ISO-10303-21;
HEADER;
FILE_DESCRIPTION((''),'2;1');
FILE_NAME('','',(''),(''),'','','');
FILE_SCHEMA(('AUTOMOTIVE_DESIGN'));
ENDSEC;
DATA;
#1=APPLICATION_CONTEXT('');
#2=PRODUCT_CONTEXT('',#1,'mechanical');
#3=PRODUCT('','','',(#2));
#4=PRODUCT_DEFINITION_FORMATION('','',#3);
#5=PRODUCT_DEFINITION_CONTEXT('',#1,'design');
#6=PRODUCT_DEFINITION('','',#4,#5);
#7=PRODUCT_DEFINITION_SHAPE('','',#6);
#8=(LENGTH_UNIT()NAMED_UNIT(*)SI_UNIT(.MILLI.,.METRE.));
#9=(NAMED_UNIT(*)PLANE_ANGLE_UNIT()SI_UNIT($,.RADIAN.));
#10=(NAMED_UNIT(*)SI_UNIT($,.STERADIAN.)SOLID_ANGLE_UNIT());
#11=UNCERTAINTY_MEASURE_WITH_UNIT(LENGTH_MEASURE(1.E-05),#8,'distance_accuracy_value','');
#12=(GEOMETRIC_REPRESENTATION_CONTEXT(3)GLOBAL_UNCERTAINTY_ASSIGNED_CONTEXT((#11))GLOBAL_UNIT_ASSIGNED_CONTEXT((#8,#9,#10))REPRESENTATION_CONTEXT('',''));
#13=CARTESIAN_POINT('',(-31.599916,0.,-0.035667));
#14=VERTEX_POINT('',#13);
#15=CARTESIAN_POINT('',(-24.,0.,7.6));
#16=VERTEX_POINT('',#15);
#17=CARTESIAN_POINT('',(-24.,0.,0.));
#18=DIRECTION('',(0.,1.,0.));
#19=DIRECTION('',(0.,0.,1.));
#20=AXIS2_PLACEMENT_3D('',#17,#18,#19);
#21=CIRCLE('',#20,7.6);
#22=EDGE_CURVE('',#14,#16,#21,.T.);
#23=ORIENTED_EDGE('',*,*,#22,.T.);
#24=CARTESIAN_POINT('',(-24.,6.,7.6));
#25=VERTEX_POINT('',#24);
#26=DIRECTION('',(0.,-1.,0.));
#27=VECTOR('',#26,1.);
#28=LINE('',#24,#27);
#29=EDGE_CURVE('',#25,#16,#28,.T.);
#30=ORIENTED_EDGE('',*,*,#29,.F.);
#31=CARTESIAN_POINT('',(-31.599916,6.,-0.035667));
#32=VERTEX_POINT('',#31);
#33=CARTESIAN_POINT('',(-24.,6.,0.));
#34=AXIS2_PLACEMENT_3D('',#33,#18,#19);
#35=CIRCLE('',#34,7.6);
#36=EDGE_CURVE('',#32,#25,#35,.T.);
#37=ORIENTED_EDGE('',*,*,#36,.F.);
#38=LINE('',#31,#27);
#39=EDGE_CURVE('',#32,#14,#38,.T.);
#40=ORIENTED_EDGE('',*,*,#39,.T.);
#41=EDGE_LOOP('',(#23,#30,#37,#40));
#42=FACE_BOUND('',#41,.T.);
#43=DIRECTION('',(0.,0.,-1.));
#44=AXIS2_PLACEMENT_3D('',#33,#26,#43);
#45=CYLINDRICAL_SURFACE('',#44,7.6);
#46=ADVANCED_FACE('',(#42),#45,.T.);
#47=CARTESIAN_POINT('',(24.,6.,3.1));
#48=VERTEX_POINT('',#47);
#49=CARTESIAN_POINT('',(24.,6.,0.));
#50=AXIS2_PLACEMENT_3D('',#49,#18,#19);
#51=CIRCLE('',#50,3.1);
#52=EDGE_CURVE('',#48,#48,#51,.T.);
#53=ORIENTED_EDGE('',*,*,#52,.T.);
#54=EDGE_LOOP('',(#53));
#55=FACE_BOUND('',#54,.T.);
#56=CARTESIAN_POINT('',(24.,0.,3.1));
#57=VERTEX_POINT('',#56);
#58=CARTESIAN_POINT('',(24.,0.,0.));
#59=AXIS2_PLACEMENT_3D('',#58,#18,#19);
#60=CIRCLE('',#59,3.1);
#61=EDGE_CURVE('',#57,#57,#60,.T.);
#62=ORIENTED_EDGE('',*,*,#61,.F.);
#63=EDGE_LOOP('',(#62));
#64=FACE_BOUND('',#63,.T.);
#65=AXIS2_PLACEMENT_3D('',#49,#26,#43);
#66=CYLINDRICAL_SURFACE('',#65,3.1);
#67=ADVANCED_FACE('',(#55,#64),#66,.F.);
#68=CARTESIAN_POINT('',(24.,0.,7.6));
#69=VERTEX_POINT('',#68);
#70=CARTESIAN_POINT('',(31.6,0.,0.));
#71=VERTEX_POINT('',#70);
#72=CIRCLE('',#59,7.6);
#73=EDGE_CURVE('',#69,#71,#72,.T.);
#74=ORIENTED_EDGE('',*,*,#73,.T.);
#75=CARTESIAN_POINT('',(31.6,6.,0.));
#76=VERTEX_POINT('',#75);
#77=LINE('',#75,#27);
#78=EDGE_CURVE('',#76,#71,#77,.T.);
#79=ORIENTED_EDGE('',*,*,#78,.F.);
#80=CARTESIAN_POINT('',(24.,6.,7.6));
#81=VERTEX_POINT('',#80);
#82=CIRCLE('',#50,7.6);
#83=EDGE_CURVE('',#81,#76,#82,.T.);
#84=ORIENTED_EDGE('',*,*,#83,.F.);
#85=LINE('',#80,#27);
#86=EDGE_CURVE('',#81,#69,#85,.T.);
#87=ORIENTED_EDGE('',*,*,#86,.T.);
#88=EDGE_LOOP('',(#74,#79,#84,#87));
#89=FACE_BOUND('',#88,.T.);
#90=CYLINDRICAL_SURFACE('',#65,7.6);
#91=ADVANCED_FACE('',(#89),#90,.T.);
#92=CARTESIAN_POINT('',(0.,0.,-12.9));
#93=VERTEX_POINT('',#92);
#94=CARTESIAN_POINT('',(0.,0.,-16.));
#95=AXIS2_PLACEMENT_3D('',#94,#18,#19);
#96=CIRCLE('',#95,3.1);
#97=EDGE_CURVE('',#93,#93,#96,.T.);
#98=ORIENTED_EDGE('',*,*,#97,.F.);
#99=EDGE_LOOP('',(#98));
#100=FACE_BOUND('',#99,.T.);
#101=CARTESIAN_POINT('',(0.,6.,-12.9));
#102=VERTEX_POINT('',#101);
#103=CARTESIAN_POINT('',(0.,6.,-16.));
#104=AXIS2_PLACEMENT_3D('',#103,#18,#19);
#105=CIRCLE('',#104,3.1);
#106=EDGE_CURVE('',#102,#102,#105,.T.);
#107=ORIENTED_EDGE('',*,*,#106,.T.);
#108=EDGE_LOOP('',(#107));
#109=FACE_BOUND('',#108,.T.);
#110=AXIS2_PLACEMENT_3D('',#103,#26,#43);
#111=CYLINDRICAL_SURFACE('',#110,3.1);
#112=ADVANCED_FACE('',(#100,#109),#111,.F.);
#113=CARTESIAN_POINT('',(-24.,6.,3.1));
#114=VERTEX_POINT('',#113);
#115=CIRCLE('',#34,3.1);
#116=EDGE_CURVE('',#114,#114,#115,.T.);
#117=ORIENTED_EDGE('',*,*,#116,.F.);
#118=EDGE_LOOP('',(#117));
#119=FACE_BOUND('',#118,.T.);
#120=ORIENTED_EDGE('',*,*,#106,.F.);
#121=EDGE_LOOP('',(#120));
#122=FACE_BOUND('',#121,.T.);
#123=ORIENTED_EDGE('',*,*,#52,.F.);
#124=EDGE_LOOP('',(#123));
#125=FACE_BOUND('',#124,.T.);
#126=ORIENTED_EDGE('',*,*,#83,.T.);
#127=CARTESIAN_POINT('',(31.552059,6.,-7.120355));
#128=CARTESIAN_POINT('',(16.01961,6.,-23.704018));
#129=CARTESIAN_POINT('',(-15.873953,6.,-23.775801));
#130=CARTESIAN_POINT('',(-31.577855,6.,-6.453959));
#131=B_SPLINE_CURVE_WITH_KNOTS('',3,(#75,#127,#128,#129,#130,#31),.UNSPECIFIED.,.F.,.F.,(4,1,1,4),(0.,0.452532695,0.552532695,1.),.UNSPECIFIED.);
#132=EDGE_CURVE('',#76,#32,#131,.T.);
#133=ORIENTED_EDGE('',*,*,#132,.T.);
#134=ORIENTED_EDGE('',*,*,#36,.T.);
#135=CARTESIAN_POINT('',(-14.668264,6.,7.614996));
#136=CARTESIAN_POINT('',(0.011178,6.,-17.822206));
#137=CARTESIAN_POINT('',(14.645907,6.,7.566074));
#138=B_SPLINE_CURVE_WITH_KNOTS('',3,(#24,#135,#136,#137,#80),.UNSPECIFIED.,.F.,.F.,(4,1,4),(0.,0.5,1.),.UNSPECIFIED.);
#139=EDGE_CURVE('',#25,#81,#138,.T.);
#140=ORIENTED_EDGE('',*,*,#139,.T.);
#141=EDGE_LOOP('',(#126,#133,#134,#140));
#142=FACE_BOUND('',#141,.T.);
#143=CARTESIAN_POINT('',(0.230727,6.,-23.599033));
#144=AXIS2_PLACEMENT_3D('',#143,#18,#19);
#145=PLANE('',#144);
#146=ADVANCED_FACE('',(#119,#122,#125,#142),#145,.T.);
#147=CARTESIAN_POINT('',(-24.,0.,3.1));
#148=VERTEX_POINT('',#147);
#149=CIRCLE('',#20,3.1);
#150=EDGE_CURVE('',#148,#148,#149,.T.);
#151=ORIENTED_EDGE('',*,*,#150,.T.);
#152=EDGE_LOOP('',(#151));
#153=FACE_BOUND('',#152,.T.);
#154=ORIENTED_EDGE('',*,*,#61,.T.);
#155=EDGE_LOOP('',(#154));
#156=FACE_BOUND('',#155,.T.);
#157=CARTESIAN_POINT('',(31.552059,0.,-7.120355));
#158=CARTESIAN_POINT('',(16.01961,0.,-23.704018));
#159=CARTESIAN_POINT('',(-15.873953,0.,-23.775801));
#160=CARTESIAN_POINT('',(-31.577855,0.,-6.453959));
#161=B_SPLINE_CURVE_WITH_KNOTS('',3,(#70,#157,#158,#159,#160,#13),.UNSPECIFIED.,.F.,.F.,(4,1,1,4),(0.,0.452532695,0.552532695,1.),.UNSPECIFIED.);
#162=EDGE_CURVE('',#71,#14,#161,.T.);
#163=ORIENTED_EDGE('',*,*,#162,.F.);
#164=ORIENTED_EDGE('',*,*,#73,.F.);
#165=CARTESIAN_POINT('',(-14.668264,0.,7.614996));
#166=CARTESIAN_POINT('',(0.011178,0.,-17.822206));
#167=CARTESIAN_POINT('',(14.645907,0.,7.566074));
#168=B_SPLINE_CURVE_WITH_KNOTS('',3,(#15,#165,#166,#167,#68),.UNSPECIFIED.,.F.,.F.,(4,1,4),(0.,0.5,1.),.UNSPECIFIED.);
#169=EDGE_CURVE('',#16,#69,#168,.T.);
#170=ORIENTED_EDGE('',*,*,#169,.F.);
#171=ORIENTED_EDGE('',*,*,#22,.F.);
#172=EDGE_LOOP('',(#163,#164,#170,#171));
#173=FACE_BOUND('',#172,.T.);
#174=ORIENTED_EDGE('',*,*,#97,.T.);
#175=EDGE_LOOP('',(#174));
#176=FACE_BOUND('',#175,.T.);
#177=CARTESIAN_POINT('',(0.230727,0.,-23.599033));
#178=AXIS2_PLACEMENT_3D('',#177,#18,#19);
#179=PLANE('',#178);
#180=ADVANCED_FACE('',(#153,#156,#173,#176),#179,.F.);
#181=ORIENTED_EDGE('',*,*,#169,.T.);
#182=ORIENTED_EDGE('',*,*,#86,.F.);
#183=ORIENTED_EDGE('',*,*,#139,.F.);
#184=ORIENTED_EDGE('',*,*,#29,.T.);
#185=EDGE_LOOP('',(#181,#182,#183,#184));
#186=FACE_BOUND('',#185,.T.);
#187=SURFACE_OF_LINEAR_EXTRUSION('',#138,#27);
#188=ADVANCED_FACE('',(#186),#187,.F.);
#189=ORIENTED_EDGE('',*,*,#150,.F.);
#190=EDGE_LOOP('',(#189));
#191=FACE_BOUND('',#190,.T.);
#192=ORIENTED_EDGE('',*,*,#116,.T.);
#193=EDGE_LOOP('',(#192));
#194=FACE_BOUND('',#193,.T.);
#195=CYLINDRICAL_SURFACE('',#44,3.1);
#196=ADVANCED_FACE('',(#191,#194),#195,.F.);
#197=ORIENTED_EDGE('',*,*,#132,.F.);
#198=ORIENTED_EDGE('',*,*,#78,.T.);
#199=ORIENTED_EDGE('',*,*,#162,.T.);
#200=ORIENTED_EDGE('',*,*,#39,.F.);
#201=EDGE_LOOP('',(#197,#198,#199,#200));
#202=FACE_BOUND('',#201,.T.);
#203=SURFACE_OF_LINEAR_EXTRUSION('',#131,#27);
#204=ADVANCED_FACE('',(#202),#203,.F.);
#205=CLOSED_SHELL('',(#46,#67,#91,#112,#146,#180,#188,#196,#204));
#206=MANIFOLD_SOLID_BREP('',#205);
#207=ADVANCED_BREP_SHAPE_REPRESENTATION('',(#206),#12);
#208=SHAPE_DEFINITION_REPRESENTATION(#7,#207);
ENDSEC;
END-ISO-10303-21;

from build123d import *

# Parameters (mm, degrees)
SKETCH1_R           = 3.1
BOSS_EXTRUDE1_DEPTH = 6


with BuildPart() as part:
    # Sketch1 → Boss-Extrude1 (new body)
    with BuildSketch(Plane(origin=(0, 0, 0), x_dir=(1, 0, 0), z_dir=(0, 1, 0))):
        with BuildLine():
            ThreePointArc((-31.599916308, 0.035666759), (-29.38660688, -5.361386604), (-24, -7.6))
            add(Edge.make_bspline(
                [(-24, -7.6), (-14.668264125, -7.61499575), (0.011178466, 17.82220608), (14.645907193, -7.566074292), (24, -7.6)],
                knots=[0, 0, 0, 0, 0.5, 1, 1, 1, 1], degree=3))
            ThreePointArc((24, -7.6), (29.374011537, -5.374011537), (31.6, 0))
            add(Edge.make_bspline(
                [(-31.599916308, 0.035666759), (-31.577855131, 6.453958953), (-15.873953038, 23.775800665), (16.019610489, 23.704017602), (31.552058953, 7.12035463), (31.6, 0)],
                knots=[0, 0, 0, 0, 0.447467305, 0.547467305, 1, 1, 1, 1], degree=3))
        make_face()
        with Locations((-24, 0)):
            Circle(SKETCH1_R, mode=Mode.SUBTRACT)
        with Locations((24, 0)):
            Circle(SKETCH1_R, mode=Mode.SUBTRACT)
        with Locations((0, 16)):
            Circle(SKETCH1_R, mode=Mode.SUBTRACT)
    extrude(amount=BOSS_EXTRUDE1_DEPTH)


solid = part.part
